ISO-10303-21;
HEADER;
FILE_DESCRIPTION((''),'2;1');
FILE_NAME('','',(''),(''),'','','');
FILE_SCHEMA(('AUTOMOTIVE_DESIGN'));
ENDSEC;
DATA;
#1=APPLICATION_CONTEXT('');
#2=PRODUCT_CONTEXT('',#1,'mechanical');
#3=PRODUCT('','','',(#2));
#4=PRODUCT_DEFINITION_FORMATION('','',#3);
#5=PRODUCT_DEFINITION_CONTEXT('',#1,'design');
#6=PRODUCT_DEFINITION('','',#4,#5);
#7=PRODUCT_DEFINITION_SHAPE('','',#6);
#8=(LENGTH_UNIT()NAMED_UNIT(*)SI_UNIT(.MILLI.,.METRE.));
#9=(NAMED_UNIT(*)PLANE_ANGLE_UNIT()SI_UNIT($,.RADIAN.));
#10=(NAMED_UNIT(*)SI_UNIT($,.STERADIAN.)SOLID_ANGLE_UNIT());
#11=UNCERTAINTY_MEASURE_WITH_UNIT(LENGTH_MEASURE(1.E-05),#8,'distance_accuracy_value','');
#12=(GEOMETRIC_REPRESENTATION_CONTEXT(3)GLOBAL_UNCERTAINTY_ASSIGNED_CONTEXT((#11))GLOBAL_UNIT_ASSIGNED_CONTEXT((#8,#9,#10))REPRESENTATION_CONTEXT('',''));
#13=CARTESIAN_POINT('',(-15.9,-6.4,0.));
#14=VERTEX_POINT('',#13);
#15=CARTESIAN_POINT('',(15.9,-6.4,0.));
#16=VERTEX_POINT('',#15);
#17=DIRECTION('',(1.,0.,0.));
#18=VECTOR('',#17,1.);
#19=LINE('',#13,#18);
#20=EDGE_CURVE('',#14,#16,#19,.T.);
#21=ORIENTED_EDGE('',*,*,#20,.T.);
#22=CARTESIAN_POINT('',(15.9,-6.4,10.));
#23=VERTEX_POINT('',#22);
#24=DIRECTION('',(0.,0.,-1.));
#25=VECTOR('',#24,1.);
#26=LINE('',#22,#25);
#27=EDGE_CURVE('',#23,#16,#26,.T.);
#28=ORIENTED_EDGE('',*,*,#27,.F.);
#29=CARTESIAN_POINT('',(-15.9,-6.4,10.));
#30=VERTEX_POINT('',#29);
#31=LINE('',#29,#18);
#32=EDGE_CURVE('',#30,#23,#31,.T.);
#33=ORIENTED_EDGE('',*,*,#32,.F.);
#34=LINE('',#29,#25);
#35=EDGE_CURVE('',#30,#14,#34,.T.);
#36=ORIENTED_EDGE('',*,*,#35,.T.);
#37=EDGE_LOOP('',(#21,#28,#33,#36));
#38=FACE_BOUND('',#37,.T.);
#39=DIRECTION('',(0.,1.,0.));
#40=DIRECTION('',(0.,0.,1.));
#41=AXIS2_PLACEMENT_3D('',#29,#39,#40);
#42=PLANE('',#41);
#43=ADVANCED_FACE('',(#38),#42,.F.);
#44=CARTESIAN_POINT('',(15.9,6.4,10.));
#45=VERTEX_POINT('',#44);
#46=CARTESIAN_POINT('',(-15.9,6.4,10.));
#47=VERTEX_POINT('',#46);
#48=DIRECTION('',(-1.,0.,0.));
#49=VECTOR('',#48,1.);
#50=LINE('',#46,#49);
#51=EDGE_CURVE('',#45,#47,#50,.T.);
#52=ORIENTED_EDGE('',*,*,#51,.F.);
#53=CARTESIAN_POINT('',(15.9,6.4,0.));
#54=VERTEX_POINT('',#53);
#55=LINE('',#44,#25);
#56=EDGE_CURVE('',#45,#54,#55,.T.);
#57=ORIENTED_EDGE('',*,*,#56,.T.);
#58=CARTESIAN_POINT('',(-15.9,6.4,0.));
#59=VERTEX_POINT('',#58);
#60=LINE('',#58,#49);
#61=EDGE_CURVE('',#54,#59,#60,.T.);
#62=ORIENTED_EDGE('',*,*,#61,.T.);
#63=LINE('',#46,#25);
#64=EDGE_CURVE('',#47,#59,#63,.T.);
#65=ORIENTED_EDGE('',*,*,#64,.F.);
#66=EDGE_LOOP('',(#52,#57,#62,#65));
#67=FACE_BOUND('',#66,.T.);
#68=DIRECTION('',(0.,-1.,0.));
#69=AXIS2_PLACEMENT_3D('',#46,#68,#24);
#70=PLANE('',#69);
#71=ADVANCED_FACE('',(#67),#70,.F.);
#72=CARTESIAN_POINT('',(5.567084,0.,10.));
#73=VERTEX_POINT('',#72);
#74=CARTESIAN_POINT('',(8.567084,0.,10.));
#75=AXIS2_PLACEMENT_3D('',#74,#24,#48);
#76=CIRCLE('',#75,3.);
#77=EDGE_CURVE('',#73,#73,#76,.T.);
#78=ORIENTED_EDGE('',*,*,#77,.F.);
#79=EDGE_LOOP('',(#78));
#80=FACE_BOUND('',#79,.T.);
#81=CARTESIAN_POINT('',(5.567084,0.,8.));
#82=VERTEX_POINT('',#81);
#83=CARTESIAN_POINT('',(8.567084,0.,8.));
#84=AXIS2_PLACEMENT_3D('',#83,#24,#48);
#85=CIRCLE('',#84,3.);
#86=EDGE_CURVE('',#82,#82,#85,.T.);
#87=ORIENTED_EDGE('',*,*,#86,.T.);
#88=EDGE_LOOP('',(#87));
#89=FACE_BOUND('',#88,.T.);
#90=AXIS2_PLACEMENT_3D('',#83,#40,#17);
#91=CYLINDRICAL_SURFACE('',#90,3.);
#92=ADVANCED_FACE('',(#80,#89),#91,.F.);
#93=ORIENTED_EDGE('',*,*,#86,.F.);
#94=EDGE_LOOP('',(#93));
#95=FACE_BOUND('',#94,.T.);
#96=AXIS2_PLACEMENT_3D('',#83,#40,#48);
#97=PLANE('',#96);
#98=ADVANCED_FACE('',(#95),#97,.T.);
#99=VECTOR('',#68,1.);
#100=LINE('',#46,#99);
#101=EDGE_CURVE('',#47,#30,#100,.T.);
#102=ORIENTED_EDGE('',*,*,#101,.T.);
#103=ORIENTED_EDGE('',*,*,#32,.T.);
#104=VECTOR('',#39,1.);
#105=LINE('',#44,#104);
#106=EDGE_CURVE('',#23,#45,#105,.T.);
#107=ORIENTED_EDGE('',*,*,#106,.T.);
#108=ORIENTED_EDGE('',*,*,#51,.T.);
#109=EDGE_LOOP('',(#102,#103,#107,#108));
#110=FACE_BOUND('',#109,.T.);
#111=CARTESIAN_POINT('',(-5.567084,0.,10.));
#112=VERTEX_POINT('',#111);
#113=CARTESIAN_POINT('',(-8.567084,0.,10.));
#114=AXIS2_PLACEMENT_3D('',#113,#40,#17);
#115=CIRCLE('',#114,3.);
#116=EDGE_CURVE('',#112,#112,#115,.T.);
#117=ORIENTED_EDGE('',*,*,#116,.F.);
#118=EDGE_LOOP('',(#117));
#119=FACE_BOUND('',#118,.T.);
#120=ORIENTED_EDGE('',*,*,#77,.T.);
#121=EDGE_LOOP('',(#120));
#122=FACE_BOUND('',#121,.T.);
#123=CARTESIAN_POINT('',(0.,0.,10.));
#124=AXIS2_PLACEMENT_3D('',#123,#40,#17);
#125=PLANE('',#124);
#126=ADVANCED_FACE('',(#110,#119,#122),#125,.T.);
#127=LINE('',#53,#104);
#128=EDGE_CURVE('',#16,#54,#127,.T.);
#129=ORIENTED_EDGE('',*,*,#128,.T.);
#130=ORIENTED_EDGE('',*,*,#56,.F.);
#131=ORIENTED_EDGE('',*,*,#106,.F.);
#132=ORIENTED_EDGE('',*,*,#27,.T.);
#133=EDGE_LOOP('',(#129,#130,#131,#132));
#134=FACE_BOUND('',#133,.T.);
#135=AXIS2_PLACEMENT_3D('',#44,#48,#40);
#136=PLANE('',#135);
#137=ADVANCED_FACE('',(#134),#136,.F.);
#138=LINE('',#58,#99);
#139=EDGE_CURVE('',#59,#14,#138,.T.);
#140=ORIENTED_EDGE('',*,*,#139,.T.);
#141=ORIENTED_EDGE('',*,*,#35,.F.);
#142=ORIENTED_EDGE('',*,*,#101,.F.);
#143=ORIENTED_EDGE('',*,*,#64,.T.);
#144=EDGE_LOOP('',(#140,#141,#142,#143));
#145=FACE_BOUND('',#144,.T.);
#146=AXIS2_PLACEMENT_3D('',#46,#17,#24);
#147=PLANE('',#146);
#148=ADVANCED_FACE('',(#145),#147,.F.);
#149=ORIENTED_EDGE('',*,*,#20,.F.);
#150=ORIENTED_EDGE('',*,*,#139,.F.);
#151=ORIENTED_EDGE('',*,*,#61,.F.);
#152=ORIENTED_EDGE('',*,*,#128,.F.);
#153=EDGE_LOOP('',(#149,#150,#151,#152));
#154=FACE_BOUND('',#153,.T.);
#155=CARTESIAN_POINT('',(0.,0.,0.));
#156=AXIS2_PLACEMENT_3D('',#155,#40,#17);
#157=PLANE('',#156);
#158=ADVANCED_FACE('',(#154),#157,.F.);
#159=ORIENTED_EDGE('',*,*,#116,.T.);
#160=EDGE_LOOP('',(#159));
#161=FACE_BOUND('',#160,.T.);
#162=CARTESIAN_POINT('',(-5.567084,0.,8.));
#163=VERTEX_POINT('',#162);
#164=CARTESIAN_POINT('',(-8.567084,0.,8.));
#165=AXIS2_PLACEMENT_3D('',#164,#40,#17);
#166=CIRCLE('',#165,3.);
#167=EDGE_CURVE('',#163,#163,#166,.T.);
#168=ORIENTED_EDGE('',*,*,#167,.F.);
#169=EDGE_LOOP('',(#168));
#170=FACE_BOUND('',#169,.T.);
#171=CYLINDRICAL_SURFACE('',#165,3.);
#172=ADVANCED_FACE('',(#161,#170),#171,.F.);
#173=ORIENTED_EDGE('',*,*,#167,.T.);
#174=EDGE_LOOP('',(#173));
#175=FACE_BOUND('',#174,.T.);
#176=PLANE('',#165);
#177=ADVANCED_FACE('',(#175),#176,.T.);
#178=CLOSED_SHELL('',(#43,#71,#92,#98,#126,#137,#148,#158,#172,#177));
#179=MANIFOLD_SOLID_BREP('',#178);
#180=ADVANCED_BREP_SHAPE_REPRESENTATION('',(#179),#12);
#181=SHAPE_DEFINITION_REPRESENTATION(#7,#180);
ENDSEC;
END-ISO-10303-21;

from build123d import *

# Parameters (mm, degrees)
CROQUIS1_W              = 31.8
CROQUIS1_H              = 12.8
SALIENTE_EXTRUIR1_DEPTH = 10
CROQUIS2_R              = 3
CORTAR_EXTRUIR1_DEPTH   = 2


with BuildPart() as part:
    # Croquis1 → Saliente-Extruir1 (new body)
    with BuildSketch(Plane.XY):
        Rectangle(CROQUIS1_W, CROQUIS1_H)
    extrude(amount=SALIENTE_EXTRUIR1_DEPTH)

    # Croquis2 → Cortar-Extruir1 (cut)
    with BuildSketch(Plane.XY.offset(10)):
        with Locations((-8.567084413, 0)):
            Circle(CROQUIS2_R)
    cortar_extruir1 = extrude(amount=-CORTAR_EXTRUIR1_DEPTH, mode=Mode.SUBTRACT)

    # Simetría1: Cortar-Extruir1 across plane
    add(cortar_extruir1.mirror(Plane(origin=(0, 0, 0), x_dir=(0, 0, 1), z_dir=(1, 0, 0))), mode=Mode.SUBTRACT)


solid = part.part
